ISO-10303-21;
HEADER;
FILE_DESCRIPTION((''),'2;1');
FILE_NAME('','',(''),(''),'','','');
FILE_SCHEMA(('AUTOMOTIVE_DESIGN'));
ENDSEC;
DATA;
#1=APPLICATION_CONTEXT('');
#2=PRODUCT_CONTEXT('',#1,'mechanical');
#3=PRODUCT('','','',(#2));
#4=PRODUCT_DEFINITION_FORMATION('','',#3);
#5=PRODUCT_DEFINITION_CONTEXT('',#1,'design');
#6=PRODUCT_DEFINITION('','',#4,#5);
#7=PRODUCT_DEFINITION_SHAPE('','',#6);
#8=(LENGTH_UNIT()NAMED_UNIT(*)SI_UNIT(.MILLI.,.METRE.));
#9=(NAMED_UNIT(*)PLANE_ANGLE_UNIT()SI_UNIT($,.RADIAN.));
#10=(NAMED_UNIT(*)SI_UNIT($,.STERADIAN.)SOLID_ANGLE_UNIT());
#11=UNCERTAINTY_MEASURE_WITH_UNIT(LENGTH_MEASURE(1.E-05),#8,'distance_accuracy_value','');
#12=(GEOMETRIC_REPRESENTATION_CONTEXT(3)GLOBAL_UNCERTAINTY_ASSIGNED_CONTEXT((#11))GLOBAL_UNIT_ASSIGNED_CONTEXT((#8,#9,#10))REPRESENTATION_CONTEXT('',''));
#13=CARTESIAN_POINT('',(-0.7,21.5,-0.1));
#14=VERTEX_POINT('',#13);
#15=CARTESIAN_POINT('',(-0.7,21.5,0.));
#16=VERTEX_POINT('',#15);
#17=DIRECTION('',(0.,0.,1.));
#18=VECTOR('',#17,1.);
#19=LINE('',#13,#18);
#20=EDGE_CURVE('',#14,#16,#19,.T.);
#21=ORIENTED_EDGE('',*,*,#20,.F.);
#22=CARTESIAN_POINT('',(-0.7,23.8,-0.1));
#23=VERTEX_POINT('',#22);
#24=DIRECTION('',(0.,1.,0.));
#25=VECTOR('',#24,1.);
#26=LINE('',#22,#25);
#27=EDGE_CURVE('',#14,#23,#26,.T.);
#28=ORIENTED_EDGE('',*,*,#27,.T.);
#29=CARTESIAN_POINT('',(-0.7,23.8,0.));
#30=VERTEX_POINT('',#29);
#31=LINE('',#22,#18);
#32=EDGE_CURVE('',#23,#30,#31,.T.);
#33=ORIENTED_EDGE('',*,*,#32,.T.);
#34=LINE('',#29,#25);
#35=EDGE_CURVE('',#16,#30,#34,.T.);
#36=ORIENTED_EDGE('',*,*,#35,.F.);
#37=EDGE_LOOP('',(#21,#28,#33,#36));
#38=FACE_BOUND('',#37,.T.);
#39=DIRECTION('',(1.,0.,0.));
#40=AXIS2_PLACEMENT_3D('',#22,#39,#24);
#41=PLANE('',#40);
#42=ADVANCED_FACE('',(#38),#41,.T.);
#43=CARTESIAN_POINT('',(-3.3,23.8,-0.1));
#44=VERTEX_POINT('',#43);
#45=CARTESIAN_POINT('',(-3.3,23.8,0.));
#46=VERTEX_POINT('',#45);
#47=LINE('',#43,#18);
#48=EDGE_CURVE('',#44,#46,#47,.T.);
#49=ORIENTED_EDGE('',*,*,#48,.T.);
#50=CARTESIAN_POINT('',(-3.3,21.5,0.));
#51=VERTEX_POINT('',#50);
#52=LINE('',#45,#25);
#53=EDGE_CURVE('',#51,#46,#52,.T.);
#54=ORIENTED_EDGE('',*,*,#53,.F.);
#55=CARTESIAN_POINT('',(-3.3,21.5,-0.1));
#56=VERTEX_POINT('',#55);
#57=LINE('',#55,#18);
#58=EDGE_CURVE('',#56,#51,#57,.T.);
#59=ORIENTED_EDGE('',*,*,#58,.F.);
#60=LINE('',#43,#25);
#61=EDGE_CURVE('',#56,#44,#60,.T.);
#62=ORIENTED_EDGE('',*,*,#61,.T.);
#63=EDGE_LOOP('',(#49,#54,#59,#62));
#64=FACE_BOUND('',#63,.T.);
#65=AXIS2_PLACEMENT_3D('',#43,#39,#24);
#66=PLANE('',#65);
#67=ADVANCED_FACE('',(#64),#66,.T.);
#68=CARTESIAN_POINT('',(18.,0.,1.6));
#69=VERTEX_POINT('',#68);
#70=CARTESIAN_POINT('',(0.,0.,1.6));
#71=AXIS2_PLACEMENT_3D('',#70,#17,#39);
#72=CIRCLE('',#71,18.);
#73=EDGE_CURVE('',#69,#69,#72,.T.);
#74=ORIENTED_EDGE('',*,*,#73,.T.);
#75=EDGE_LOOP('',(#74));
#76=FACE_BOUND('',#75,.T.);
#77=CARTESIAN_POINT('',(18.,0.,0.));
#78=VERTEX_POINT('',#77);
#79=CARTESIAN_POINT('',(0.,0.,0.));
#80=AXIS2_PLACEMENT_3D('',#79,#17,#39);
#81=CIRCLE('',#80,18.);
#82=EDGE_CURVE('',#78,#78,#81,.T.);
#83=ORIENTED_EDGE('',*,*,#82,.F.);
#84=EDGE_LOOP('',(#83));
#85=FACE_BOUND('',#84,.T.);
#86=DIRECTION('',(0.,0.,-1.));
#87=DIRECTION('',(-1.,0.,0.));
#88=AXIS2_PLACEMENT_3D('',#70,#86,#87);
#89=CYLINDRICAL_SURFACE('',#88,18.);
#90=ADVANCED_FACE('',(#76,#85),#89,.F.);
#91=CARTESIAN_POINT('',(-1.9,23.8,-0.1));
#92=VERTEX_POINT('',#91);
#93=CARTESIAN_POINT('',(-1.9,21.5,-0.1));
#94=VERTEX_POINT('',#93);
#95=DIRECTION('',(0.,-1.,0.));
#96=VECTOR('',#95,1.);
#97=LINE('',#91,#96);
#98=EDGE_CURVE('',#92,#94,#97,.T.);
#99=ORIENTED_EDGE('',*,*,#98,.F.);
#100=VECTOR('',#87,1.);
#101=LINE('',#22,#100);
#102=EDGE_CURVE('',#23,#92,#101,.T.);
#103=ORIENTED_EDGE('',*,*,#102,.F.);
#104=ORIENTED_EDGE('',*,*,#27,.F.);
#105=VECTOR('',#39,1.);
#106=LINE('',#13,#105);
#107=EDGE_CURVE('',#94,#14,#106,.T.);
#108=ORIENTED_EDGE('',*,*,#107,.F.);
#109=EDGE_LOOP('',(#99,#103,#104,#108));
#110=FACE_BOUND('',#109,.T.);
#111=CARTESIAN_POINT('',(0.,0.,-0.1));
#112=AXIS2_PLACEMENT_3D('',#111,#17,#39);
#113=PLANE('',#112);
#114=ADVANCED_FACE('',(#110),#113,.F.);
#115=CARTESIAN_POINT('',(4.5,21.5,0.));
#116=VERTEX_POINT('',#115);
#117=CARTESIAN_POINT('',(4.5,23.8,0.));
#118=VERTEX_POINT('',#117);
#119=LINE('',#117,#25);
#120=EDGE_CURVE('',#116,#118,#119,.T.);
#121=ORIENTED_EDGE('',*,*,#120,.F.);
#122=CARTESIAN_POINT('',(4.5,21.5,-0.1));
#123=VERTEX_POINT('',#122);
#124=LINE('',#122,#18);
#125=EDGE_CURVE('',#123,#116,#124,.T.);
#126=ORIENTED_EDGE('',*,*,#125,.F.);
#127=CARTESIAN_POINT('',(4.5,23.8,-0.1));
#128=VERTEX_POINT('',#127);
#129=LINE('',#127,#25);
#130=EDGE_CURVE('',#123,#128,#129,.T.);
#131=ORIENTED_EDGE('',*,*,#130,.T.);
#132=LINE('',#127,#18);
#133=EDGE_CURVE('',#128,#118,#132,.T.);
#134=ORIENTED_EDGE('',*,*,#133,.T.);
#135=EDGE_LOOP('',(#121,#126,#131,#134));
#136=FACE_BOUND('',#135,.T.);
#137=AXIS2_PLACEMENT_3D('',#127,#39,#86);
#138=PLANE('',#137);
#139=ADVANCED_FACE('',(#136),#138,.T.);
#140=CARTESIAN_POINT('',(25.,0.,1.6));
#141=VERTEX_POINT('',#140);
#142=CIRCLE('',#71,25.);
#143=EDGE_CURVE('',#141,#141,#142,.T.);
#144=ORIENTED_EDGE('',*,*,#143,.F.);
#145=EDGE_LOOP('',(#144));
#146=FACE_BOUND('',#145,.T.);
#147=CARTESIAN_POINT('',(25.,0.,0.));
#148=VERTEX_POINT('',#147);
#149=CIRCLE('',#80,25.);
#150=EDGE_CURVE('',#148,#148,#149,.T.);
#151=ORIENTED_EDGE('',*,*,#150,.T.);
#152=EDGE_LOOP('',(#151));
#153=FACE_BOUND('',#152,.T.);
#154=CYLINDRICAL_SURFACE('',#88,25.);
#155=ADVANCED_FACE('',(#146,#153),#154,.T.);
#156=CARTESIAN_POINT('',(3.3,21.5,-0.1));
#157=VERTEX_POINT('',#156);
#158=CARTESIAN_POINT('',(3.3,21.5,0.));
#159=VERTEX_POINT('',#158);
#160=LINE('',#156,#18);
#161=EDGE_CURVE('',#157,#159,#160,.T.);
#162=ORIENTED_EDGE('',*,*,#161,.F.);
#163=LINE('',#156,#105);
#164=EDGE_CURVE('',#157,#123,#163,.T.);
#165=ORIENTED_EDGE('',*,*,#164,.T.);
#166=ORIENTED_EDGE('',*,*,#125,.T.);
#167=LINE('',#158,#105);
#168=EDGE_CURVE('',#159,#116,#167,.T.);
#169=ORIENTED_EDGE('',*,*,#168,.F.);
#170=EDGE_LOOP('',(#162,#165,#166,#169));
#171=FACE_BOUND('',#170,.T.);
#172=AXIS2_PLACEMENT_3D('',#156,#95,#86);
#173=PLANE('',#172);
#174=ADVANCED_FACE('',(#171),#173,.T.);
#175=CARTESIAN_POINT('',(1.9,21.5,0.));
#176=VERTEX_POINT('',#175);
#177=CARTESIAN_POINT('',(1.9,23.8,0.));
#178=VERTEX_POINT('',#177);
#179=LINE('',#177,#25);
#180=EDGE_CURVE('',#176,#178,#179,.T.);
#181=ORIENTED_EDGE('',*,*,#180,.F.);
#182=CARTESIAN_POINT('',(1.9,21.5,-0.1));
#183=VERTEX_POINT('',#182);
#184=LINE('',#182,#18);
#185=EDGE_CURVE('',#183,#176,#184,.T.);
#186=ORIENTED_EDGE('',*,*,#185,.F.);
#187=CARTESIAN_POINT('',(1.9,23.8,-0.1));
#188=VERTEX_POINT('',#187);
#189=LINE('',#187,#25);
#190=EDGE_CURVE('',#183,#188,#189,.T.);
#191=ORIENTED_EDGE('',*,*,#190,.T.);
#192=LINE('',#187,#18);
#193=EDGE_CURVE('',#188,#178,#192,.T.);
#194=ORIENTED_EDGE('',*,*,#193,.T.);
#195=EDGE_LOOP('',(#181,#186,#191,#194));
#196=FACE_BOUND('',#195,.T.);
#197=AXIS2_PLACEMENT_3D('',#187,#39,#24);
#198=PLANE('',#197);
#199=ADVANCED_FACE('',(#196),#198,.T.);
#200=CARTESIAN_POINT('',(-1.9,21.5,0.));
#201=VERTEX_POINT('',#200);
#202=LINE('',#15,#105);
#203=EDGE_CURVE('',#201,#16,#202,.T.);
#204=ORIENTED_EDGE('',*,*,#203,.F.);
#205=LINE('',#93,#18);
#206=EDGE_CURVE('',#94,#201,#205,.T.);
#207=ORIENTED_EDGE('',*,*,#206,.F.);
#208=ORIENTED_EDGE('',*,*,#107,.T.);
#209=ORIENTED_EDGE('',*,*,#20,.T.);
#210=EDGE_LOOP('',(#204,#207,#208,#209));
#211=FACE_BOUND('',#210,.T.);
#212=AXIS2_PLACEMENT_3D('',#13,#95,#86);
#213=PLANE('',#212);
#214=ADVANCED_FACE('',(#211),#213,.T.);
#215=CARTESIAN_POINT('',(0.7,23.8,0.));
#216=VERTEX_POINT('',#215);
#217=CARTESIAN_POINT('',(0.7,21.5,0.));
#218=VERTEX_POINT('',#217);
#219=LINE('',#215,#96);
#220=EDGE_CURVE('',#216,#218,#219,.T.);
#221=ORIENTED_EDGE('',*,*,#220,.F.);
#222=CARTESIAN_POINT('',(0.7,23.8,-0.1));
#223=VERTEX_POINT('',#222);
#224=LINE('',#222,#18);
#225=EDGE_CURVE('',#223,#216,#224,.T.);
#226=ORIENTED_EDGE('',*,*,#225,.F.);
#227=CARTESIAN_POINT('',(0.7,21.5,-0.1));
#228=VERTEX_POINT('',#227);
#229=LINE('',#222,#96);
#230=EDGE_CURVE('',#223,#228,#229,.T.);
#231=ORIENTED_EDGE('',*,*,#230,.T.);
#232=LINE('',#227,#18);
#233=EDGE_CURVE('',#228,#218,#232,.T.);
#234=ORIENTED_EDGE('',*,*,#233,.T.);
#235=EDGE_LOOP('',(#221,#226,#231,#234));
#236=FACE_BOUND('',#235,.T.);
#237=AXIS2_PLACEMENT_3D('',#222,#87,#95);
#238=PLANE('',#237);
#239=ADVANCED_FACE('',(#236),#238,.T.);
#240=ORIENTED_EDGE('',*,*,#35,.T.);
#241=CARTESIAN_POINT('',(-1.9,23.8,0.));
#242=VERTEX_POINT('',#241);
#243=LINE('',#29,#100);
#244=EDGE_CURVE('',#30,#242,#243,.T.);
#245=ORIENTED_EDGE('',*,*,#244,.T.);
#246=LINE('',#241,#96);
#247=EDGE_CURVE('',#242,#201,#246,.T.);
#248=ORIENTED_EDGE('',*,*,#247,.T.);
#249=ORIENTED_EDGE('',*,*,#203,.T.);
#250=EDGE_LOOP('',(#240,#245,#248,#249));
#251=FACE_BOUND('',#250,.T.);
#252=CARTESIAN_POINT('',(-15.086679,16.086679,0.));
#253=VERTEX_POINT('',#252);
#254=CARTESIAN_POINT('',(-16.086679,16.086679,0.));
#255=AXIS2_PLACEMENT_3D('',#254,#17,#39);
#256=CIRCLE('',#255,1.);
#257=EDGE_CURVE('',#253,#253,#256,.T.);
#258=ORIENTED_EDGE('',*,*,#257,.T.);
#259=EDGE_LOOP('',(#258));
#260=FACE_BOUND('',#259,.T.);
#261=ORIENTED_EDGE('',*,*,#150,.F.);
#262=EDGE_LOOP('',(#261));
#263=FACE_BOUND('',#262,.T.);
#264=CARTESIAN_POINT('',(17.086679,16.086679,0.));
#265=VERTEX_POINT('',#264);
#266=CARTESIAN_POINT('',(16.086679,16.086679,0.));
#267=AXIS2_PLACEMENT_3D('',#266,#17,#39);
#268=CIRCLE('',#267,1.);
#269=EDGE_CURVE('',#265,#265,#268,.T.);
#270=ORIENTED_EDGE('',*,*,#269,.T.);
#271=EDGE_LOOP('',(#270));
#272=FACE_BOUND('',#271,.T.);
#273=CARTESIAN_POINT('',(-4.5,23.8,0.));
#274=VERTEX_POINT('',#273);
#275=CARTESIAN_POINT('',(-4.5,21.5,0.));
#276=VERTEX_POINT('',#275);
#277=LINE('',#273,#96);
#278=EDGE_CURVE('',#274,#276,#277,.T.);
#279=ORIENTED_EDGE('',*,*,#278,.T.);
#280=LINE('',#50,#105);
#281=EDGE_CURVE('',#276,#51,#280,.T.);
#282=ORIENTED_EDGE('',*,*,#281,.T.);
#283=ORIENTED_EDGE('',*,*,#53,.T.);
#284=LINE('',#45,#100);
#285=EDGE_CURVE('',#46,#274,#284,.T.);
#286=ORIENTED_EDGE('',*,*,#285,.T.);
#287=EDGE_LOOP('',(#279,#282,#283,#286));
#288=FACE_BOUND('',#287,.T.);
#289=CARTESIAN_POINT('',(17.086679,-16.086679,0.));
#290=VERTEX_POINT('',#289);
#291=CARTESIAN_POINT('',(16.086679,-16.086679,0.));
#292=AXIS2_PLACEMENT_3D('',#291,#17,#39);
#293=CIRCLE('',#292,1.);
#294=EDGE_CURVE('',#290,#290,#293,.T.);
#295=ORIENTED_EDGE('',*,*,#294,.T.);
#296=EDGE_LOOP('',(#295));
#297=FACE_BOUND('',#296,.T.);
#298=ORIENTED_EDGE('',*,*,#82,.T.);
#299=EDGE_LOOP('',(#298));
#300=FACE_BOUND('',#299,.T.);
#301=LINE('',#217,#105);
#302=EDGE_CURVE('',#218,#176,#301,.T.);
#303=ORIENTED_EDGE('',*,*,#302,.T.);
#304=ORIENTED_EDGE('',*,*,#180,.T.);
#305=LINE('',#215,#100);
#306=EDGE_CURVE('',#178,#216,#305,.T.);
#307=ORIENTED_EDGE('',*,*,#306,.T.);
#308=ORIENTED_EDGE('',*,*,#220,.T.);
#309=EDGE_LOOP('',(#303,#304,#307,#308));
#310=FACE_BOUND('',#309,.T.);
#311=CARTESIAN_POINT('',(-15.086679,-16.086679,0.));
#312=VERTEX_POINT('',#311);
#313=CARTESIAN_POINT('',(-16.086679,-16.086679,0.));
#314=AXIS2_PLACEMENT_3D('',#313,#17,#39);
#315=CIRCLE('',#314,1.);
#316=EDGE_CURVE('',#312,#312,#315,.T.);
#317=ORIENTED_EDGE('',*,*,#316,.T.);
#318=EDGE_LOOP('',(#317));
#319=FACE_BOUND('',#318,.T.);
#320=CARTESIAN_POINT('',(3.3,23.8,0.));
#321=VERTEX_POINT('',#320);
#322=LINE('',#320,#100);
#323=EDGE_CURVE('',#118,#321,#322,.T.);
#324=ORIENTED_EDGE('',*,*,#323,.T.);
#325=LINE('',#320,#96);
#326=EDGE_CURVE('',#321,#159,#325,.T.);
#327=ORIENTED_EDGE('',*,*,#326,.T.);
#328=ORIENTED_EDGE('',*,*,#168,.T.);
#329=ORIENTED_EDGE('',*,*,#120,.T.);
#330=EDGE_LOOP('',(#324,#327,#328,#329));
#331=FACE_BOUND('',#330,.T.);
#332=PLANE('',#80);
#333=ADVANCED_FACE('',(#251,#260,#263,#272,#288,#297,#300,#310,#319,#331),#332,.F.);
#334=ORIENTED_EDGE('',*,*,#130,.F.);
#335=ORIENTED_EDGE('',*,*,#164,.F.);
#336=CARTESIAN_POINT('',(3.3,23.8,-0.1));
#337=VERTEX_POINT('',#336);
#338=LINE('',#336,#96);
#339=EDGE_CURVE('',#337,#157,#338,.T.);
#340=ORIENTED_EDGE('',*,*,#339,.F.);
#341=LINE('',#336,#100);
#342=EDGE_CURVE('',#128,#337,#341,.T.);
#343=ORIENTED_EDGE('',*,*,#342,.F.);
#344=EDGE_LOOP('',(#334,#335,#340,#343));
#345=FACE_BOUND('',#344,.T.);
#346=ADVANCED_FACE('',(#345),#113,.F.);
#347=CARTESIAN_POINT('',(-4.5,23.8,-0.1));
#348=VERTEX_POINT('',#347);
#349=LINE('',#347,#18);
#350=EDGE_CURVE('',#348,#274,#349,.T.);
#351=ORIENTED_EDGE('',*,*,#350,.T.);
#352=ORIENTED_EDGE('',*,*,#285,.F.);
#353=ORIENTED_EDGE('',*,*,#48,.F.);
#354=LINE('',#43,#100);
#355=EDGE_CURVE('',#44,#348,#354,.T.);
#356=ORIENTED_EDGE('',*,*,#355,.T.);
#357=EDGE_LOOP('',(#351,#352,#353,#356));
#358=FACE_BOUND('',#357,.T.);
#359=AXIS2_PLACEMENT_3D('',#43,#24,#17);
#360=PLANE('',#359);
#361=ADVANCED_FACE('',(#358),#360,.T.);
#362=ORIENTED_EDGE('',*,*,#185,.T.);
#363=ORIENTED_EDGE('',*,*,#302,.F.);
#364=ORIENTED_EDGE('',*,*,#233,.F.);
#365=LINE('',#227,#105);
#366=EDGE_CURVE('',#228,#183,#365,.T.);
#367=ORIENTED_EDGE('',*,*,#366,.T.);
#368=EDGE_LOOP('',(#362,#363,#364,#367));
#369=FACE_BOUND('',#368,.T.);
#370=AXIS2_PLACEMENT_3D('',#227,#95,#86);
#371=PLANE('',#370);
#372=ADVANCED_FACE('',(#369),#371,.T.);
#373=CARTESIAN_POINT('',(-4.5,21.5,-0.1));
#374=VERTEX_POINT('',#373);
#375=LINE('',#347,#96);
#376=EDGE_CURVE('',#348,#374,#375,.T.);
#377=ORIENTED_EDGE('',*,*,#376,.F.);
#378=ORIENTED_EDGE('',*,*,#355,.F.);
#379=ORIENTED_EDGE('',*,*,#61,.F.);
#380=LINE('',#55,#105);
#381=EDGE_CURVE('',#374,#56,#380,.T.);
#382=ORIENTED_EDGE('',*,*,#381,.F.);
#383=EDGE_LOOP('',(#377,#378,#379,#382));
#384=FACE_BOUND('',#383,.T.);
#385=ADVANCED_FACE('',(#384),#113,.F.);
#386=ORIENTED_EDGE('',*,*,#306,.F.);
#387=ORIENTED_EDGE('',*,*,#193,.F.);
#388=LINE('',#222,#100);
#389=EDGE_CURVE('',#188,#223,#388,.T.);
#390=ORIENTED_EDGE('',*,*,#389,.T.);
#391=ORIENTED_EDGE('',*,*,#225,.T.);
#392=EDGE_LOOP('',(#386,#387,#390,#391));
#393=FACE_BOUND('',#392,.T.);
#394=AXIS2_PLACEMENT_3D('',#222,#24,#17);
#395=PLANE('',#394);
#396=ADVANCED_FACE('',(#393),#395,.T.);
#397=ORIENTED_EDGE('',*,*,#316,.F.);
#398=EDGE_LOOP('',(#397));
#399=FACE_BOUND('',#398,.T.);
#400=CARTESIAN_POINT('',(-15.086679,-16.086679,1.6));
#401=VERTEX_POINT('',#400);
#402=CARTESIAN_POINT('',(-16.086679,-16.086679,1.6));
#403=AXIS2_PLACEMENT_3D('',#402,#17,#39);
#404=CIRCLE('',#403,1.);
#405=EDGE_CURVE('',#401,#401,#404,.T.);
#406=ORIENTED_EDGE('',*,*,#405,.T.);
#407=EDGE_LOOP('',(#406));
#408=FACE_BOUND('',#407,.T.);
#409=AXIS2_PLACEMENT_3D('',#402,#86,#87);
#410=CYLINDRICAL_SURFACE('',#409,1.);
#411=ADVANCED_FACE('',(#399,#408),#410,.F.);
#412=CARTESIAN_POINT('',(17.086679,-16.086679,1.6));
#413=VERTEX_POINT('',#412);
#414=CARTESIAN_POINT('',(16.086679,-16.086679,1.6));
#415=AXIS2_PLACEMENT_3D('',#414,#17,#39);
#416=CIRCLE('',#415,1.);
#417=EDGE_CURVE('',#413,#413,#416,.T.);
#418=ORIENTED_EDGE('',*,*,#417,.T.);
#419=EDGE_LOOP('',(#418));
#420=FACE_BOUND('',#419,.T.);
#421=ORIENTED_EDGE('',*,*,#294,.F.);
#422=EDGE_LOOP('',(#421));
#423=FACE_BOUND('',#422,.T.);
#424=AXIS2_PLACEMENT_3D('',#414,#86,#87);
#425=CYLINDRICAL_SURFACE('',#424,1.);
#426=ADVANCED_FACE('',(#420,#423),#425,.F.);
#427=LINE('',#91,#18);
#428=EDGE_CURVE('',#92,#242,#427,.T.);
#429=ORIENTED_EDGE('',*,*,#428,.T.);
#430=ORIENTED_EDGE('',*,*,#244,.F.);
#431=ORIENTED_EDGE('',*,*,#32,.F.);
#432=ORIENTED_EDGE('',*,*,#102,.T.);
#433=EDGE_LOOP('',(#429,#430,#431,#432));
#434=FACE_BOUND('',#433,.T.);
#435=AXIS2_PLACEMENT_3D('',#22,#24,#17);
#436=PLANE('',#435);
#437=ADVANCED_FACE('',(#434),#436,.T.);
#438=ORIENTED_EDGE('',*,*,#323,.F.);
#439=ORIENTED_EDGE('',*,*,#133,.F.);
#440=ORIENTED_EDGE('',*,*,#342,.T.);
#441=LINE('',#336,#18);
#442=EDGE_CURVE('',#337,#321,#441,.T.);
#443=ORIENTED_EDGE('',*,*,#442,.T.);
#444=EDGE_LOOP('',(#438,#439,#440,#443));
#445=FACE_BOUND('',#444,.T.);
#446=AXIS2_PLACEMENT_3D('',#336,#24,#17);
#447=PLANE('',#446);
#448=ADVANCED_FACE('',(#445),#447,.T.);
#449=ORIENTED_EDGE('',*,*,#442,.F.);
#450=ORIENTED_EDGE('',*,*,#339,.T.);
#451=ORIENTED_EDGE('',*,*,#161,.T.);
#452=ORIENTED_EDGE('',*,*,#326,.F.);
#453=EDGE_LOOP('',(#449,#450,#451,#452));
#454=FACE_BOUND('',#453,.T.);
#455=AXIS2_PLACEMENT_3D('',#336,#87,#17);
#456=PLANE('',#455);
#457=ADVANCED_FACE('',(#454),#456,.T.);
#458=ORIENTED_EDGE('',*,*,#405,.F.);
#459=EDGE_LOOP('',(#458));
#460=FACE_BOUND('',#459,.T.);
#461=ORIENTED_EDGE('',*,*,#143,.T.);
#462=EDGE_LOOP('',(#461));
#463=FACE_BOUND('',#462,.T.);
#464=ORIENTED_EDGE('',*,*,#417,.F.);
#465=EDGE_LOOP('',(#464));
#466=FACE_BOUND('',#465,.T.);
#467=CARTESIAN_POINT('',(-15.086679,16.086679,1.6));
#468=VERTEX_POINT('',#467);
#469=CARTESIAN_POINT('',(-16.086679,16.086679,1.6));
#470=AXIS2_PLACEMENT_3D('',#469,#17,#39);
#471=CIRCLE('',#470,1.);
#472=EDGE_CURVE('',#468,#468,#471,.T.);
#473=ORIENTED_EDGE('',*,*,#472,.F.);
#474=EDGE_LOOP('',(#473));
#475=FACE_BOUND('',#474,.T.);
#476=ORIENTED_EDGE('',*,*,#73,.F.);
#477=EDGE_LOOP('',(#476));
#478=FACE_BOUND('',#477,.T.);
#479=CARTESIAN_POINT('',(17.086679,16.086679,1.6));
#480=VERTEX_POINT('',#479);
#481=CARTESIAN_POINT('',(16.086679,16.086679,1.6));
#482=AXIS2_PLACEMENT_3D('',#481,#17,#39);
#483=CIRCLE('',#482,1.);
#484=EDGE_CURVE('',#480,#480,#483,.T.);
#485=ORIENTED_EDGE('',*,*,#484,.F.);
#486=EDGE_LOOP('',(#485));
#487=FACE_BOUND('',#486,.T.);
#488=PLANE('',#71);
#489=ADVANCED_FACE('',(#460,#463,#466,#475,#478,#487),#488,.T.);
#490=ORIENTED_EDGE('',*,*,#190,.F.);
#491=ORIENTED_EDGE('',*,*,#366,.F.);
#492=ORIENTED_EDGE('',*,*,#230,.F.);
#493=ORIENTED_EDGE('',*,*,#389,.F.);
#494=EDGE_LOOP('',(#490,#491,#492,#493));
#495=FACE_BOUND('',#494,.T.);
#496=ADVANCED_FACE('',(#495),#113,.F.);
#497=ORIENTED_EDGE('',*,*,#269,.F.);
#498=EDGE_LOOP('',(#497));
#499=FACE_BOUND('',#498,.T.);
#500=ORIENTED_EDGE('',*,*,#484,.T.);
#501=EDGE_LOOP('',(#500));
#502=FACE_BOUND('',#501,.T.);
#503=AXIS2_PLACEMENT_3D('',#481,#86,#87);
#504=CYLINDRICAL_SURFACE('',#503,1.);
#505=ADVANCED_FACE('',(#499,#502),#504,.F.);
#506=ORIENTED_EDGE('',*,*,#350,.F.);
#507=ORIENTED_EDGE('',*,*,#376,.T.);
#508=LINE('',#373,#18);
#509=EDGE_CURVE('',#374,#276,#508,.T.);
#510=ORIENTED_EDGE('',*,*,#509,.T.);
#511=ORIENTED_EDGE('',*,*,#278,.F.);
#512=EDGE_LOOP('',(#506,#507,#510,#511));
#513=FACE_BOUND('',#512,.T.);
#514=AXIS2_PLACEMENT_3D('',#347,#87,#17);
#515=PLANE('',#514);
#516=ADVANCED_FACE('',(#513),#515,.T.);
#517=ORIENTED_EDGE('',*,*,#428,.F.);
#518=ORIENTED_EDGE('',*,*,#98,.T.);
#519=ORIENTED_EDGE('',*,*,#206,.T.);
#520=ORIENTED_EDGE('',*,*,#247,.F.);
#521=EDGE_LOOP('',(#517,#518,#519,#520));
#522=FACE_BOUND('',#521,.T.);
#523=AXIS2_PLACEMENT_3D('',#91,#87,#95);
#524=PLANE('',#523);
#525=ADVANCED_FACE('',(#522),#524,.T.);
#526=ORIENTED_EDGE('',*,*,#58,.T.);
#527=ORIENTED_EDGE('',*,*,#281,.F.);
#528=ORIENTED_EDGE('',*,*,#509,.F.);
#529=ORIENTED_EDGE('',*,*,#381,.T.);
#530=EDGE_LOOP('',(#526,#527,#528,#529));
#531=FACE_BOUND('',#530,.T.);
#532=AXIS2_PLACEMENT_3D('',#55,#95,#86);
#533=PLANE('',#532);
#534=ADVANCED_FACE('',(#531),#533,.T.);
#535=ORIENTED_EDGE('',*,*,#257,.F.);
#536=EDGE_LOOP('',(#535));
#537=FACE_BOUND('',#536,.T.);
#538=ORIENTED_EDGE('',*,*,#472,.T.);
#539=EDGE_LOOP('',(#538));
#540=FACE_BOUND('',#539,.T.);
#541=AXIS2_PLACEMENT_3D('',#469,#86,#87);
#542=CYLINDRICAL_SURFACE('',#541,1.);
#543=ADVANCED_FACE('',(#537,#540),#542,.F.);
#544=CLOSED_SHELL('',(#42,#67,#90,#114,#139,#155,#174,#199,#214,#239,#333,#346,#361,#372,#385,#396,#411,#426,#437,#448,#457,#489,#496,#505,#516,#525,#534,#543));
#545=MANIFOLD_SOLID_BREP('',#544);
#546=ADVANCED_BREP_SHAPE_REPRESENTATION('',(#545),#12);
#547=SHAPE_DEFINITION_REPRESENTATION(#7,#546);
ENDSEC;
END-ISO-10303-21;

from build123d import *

# Parameters (mm, degrees)
SKETCH1_R           = 25
SKETCH1_R_2         = 18
SKETCH1_R_3         = 1
BOSS_EXTRUDE2_DEPTH = 1.6
SKETCH2_W           = 1.2
SKETCH2_H           = 2.3
BOSS_EXTRUDE3_DEPTH = 0.1


with BuildPart() as part:
    # Sketch1 → Boss-Extrude2 (new body)
    with BuildSketch(Plane.XY):
        Circle(SKETCH1_R)
        Circle(SKETCH1_R_2, mode=Mode.SUBTRACT)
        with Locations((16.086679272, -16.086679272)):
            Circle(SKETCH1_R_3, mode=Mode.SUBTRACT)
        with Locations((-16.086679272, -16.086679272)):
            Circle(SKETCH1_R_3, mode=Mode.SUBTRACT)
        with Locations((-16.086679272, 16.086679272)):
            Circle(SKETCH1_R_3, mode=Mode.SUBTRACT)
        with Locations((16.086679272, 16.086679272)):
            Circle(SKETCH1_R_3, mode=Mode.SUBTRACT)
    extrude(amount=BOSS_EXTRUDE2_DEPTH)

    # Sketch2 → Boss-Extrude3 (add)
    with BuildSketch(Plane.XY):
        with Locations((1.3, 22.65)):
            Rectangle(SKETCH2_W, SKETCH2_H)
        with Locations((3.9, 22.65)):
            Rectangle(SKETCH2_W, SKETCH2_H)
        with Locations((-3.9, 22.65)):
            Rectangle(SKETCH2_W, SKETCH2_H)
        with Locations((-1.3, 22.65)):
            Rectangle(SKETCH2_W, SKETCH2_H)
    extrude(amount=-BOSS_EXTRUDE3_DEPTH)


solid = part.part
